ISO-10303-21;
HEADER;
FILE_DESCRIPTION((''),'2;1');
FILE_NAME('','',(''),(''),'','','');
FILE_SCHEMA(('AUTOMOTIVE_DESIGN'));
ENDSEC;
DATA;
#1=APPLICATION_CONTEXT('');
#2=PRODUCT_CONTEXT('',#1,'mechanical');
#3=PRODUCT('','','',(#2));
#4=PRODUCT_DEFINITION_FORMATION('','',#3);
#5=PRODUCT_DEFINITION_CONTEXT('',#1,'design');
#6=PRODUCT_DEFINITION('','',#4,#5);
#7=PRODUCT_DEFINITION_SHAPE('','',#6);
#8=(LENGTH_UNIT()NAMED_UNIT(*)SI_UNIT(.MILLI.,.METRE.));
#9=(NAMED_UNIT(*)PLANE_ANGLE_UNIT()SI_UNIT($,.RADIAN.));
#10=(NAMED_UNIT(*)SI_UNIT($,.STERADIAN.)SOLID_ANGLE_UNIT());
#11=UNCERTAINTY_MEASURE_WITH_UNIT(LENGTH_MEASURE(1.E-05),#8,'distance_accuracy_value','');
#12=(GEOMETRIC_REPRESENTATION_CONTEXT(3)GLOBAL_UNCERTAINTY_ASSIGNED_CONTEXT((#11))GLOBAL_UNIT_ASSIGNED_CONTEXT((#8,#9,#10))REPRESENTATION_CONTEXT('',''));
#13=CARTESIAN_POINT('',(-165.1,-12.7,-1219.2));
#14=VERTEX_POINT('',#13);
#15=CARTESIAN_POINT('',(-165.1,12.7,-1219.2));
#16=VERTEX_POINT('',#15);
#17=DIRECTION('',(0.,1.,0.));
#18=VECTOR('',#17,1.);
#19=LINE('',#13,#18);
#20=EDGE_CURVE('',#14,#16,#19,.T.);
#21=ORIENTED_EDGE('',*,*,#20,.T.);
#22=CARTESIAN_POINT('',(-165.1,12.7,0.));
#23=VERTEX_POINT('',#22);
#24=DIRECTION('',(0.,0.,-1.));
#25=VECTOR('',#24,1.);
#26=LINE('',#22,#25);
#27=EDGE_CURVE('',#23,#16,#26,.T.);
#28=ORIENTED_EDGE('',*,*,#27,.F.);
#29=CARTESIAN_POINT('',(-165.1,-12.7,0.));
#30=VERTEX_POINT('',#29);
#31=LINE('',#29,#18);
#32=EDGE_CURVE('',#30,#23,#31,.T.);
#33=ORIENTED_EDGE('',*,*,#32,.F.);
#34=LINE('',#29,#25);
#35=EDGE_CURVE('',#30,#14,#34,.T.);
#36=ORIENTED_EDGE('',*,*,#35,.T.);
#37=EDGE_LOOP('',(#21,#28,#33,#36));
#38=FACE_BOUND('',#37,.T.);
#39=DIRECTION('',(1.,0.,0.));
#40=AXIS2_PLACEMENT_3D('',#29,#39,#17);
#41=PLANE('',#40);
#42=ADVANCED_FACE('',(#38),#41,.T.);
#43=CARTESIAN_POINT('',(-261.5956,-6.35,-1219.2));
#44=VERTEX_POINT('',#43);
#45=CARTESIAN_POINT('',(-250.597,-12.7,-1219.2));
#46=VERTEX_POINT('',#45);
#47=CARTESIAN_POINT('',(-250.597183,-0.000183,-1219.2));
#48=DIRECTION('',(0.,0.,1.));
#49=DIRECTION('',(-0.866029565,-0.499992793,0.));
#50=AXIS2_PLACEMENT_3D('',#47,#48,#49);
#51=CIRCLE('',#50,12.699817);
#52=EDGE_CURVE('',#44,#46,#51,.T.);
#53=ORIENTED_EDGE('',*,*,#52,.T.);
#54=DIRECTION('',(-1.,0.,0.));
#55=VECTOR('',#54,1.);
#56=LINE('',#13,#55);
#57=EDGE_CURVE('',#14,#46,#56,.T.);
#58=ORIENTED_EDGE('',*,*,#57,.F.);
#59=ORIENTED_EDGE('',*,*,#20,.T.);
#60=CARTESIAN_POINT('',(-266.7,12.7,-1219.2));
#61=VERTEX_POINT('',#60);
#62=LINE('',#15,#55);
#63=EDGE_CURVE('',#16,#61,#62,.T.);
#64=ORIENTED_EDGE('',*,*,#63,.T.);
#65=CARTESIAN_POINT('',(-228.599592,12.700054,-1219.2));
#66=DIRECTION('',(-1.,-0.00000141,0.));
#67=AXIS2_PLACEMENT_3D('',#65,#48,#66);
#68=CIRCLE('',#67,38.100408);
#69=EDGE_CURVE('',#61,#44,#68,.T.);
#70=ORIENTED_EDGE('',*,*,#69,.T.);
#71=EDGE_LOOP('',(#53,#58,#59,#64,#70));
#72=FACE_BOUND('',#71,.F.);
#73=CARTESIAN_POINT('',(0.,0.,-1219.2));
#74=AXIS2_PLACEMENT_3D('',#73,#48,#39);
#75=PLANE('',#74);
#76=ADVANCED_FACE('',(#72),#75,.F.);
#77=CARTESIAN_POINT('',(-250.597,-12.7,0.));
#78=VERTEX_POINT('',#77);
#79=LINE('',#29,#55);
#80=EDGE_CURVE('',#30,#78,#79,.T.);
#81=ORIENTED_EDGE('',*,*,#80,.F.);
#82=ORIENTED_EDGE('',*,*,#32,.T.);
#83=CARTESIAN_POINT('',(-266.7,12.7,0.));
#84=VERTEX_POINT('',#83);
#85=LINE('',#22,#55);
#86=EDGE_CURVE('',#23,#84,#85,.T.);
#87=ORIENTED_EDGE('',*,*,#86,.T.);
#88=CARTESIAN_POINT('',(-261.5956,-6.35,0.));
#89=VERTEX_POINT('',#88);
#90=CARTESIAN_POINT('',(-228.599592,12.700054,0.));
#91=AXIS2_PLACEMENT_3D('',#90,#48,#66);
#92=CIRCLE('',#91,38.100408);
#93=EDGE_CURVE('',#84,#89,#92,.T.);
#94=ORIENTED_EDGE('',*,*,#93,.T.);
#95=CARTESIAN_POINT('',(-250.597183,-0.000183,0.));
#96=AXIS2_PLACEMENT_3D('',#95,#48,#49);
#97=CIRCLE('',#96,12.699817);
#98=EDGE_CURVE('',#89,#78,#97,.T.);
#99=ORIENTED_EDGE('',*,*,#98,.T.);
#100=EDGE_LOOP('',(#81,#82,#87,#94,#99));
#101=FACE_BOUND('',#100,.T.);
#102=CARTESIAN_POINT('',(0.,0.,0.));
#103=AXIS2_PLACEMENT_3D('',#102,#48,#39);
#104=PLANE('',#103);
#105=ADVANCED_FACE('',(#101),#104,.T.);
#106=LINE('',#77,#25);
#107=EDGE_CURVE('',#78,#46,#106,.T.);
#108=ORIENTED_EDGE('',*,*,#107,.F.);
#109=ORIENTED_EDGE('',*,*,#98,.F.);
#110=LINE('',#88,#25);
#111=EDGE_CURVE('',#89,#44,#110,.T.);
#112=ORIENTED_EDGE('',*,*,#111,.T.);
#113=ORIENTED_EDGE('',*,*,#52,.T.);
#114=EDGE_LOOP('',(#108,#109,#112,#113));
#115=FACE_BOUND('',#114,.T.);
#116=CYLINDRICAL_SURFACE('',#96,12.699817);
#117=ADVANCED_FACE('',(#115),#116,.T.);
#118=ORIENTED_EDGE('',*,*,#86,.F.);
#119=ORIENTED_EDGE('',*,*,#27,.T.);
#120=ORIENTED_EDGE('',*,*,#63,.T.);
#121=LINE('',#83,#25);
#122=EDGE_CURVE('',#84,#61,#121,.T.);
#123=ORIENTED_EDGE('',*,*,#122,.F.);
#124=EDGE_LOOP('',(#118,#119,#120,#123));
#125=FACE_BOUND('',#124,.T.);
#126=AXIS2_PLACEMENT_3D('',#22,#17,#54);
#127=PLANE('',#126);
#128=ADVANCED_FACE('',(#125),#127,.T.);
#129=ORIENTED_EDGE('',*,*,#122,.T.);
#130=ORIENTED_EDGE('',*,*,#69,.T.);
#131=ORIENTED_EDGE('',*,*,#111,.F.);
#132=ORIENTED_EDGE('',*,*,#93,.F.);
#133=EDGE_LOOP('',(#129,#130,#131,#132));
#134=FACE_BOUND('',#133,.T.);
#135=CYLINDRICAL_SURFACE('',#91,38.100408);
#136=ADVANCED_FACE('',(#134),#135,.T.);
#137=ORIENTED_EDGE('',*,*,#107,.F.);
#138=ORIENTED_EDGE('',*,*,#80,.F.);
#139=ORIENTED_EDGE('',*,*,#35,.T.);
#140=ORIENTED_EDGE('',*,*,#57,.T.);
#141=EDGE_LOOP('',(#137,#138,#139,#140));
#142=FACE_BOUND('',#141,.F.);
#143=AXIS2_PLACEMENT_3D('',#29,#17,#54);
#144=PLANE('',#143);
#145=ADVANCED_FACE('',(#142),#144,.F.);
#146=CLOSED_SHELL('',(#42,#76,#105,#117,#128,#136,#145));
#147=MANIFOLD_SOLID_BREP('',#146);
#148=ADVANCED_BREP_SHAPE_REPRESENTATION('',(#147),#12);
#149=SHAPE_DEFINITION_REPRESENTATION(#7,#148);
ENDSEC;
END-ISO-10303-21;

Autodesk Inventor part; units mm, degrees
ref_plane "YZ Plane" through (0, 0, 0) normal (1, 0, 0) x (0, 1, 0)
ref_plane "XZ Plane" through (0, 0, 0) normal (0, 1, 0) x (-1, 0, 0)
sketch "Sketch1" plane through (0, 0, 0) normal (0, 0, 1) x (1, 0, 0)
  line L0 (-152.4, -12.7) -> (-253.6823, -12.7) construction
  line L1 (-152.4, 12.7) -> (-152.4, -12.7) construction
  line L2 (-253.6823, 12.7) -> (-152.4, 12.7) construction
  line L3 (-165.1, -12.7) -> (-165.1, 12.7)
  line L4 (-165.1, 12.7) -> (-266.7, 12.7)
  arc A0 (-266.7, 12.7) -> (-261.5956, -6.35) centre (-228.6, 12.7) ccw
  line L5 (-165.1, -12.7) -> (-250.597, -12.7)
  arc A1 (-261.5956, -6.35) -> (-250.597, -12.7) centre (-250.597, 0) ccw
  point P0 (0, 0)
  point P1 (-256.9981, -12.7)
  dimension "d0" = 38.1
  dimension "d1" = 12.7
  dimension "d4" = 101.6
ref_plane "Work Plane1" through (-253.6823, -254, -1219.2) normal (0, 0, -1) x (0, 1, 0)
extrude "Extrusion1" add sketch "Sketch1" against normal up to surface (1219.2 mm away)
properties part number "Hydraulic VaneCJE" material "Titanium"
